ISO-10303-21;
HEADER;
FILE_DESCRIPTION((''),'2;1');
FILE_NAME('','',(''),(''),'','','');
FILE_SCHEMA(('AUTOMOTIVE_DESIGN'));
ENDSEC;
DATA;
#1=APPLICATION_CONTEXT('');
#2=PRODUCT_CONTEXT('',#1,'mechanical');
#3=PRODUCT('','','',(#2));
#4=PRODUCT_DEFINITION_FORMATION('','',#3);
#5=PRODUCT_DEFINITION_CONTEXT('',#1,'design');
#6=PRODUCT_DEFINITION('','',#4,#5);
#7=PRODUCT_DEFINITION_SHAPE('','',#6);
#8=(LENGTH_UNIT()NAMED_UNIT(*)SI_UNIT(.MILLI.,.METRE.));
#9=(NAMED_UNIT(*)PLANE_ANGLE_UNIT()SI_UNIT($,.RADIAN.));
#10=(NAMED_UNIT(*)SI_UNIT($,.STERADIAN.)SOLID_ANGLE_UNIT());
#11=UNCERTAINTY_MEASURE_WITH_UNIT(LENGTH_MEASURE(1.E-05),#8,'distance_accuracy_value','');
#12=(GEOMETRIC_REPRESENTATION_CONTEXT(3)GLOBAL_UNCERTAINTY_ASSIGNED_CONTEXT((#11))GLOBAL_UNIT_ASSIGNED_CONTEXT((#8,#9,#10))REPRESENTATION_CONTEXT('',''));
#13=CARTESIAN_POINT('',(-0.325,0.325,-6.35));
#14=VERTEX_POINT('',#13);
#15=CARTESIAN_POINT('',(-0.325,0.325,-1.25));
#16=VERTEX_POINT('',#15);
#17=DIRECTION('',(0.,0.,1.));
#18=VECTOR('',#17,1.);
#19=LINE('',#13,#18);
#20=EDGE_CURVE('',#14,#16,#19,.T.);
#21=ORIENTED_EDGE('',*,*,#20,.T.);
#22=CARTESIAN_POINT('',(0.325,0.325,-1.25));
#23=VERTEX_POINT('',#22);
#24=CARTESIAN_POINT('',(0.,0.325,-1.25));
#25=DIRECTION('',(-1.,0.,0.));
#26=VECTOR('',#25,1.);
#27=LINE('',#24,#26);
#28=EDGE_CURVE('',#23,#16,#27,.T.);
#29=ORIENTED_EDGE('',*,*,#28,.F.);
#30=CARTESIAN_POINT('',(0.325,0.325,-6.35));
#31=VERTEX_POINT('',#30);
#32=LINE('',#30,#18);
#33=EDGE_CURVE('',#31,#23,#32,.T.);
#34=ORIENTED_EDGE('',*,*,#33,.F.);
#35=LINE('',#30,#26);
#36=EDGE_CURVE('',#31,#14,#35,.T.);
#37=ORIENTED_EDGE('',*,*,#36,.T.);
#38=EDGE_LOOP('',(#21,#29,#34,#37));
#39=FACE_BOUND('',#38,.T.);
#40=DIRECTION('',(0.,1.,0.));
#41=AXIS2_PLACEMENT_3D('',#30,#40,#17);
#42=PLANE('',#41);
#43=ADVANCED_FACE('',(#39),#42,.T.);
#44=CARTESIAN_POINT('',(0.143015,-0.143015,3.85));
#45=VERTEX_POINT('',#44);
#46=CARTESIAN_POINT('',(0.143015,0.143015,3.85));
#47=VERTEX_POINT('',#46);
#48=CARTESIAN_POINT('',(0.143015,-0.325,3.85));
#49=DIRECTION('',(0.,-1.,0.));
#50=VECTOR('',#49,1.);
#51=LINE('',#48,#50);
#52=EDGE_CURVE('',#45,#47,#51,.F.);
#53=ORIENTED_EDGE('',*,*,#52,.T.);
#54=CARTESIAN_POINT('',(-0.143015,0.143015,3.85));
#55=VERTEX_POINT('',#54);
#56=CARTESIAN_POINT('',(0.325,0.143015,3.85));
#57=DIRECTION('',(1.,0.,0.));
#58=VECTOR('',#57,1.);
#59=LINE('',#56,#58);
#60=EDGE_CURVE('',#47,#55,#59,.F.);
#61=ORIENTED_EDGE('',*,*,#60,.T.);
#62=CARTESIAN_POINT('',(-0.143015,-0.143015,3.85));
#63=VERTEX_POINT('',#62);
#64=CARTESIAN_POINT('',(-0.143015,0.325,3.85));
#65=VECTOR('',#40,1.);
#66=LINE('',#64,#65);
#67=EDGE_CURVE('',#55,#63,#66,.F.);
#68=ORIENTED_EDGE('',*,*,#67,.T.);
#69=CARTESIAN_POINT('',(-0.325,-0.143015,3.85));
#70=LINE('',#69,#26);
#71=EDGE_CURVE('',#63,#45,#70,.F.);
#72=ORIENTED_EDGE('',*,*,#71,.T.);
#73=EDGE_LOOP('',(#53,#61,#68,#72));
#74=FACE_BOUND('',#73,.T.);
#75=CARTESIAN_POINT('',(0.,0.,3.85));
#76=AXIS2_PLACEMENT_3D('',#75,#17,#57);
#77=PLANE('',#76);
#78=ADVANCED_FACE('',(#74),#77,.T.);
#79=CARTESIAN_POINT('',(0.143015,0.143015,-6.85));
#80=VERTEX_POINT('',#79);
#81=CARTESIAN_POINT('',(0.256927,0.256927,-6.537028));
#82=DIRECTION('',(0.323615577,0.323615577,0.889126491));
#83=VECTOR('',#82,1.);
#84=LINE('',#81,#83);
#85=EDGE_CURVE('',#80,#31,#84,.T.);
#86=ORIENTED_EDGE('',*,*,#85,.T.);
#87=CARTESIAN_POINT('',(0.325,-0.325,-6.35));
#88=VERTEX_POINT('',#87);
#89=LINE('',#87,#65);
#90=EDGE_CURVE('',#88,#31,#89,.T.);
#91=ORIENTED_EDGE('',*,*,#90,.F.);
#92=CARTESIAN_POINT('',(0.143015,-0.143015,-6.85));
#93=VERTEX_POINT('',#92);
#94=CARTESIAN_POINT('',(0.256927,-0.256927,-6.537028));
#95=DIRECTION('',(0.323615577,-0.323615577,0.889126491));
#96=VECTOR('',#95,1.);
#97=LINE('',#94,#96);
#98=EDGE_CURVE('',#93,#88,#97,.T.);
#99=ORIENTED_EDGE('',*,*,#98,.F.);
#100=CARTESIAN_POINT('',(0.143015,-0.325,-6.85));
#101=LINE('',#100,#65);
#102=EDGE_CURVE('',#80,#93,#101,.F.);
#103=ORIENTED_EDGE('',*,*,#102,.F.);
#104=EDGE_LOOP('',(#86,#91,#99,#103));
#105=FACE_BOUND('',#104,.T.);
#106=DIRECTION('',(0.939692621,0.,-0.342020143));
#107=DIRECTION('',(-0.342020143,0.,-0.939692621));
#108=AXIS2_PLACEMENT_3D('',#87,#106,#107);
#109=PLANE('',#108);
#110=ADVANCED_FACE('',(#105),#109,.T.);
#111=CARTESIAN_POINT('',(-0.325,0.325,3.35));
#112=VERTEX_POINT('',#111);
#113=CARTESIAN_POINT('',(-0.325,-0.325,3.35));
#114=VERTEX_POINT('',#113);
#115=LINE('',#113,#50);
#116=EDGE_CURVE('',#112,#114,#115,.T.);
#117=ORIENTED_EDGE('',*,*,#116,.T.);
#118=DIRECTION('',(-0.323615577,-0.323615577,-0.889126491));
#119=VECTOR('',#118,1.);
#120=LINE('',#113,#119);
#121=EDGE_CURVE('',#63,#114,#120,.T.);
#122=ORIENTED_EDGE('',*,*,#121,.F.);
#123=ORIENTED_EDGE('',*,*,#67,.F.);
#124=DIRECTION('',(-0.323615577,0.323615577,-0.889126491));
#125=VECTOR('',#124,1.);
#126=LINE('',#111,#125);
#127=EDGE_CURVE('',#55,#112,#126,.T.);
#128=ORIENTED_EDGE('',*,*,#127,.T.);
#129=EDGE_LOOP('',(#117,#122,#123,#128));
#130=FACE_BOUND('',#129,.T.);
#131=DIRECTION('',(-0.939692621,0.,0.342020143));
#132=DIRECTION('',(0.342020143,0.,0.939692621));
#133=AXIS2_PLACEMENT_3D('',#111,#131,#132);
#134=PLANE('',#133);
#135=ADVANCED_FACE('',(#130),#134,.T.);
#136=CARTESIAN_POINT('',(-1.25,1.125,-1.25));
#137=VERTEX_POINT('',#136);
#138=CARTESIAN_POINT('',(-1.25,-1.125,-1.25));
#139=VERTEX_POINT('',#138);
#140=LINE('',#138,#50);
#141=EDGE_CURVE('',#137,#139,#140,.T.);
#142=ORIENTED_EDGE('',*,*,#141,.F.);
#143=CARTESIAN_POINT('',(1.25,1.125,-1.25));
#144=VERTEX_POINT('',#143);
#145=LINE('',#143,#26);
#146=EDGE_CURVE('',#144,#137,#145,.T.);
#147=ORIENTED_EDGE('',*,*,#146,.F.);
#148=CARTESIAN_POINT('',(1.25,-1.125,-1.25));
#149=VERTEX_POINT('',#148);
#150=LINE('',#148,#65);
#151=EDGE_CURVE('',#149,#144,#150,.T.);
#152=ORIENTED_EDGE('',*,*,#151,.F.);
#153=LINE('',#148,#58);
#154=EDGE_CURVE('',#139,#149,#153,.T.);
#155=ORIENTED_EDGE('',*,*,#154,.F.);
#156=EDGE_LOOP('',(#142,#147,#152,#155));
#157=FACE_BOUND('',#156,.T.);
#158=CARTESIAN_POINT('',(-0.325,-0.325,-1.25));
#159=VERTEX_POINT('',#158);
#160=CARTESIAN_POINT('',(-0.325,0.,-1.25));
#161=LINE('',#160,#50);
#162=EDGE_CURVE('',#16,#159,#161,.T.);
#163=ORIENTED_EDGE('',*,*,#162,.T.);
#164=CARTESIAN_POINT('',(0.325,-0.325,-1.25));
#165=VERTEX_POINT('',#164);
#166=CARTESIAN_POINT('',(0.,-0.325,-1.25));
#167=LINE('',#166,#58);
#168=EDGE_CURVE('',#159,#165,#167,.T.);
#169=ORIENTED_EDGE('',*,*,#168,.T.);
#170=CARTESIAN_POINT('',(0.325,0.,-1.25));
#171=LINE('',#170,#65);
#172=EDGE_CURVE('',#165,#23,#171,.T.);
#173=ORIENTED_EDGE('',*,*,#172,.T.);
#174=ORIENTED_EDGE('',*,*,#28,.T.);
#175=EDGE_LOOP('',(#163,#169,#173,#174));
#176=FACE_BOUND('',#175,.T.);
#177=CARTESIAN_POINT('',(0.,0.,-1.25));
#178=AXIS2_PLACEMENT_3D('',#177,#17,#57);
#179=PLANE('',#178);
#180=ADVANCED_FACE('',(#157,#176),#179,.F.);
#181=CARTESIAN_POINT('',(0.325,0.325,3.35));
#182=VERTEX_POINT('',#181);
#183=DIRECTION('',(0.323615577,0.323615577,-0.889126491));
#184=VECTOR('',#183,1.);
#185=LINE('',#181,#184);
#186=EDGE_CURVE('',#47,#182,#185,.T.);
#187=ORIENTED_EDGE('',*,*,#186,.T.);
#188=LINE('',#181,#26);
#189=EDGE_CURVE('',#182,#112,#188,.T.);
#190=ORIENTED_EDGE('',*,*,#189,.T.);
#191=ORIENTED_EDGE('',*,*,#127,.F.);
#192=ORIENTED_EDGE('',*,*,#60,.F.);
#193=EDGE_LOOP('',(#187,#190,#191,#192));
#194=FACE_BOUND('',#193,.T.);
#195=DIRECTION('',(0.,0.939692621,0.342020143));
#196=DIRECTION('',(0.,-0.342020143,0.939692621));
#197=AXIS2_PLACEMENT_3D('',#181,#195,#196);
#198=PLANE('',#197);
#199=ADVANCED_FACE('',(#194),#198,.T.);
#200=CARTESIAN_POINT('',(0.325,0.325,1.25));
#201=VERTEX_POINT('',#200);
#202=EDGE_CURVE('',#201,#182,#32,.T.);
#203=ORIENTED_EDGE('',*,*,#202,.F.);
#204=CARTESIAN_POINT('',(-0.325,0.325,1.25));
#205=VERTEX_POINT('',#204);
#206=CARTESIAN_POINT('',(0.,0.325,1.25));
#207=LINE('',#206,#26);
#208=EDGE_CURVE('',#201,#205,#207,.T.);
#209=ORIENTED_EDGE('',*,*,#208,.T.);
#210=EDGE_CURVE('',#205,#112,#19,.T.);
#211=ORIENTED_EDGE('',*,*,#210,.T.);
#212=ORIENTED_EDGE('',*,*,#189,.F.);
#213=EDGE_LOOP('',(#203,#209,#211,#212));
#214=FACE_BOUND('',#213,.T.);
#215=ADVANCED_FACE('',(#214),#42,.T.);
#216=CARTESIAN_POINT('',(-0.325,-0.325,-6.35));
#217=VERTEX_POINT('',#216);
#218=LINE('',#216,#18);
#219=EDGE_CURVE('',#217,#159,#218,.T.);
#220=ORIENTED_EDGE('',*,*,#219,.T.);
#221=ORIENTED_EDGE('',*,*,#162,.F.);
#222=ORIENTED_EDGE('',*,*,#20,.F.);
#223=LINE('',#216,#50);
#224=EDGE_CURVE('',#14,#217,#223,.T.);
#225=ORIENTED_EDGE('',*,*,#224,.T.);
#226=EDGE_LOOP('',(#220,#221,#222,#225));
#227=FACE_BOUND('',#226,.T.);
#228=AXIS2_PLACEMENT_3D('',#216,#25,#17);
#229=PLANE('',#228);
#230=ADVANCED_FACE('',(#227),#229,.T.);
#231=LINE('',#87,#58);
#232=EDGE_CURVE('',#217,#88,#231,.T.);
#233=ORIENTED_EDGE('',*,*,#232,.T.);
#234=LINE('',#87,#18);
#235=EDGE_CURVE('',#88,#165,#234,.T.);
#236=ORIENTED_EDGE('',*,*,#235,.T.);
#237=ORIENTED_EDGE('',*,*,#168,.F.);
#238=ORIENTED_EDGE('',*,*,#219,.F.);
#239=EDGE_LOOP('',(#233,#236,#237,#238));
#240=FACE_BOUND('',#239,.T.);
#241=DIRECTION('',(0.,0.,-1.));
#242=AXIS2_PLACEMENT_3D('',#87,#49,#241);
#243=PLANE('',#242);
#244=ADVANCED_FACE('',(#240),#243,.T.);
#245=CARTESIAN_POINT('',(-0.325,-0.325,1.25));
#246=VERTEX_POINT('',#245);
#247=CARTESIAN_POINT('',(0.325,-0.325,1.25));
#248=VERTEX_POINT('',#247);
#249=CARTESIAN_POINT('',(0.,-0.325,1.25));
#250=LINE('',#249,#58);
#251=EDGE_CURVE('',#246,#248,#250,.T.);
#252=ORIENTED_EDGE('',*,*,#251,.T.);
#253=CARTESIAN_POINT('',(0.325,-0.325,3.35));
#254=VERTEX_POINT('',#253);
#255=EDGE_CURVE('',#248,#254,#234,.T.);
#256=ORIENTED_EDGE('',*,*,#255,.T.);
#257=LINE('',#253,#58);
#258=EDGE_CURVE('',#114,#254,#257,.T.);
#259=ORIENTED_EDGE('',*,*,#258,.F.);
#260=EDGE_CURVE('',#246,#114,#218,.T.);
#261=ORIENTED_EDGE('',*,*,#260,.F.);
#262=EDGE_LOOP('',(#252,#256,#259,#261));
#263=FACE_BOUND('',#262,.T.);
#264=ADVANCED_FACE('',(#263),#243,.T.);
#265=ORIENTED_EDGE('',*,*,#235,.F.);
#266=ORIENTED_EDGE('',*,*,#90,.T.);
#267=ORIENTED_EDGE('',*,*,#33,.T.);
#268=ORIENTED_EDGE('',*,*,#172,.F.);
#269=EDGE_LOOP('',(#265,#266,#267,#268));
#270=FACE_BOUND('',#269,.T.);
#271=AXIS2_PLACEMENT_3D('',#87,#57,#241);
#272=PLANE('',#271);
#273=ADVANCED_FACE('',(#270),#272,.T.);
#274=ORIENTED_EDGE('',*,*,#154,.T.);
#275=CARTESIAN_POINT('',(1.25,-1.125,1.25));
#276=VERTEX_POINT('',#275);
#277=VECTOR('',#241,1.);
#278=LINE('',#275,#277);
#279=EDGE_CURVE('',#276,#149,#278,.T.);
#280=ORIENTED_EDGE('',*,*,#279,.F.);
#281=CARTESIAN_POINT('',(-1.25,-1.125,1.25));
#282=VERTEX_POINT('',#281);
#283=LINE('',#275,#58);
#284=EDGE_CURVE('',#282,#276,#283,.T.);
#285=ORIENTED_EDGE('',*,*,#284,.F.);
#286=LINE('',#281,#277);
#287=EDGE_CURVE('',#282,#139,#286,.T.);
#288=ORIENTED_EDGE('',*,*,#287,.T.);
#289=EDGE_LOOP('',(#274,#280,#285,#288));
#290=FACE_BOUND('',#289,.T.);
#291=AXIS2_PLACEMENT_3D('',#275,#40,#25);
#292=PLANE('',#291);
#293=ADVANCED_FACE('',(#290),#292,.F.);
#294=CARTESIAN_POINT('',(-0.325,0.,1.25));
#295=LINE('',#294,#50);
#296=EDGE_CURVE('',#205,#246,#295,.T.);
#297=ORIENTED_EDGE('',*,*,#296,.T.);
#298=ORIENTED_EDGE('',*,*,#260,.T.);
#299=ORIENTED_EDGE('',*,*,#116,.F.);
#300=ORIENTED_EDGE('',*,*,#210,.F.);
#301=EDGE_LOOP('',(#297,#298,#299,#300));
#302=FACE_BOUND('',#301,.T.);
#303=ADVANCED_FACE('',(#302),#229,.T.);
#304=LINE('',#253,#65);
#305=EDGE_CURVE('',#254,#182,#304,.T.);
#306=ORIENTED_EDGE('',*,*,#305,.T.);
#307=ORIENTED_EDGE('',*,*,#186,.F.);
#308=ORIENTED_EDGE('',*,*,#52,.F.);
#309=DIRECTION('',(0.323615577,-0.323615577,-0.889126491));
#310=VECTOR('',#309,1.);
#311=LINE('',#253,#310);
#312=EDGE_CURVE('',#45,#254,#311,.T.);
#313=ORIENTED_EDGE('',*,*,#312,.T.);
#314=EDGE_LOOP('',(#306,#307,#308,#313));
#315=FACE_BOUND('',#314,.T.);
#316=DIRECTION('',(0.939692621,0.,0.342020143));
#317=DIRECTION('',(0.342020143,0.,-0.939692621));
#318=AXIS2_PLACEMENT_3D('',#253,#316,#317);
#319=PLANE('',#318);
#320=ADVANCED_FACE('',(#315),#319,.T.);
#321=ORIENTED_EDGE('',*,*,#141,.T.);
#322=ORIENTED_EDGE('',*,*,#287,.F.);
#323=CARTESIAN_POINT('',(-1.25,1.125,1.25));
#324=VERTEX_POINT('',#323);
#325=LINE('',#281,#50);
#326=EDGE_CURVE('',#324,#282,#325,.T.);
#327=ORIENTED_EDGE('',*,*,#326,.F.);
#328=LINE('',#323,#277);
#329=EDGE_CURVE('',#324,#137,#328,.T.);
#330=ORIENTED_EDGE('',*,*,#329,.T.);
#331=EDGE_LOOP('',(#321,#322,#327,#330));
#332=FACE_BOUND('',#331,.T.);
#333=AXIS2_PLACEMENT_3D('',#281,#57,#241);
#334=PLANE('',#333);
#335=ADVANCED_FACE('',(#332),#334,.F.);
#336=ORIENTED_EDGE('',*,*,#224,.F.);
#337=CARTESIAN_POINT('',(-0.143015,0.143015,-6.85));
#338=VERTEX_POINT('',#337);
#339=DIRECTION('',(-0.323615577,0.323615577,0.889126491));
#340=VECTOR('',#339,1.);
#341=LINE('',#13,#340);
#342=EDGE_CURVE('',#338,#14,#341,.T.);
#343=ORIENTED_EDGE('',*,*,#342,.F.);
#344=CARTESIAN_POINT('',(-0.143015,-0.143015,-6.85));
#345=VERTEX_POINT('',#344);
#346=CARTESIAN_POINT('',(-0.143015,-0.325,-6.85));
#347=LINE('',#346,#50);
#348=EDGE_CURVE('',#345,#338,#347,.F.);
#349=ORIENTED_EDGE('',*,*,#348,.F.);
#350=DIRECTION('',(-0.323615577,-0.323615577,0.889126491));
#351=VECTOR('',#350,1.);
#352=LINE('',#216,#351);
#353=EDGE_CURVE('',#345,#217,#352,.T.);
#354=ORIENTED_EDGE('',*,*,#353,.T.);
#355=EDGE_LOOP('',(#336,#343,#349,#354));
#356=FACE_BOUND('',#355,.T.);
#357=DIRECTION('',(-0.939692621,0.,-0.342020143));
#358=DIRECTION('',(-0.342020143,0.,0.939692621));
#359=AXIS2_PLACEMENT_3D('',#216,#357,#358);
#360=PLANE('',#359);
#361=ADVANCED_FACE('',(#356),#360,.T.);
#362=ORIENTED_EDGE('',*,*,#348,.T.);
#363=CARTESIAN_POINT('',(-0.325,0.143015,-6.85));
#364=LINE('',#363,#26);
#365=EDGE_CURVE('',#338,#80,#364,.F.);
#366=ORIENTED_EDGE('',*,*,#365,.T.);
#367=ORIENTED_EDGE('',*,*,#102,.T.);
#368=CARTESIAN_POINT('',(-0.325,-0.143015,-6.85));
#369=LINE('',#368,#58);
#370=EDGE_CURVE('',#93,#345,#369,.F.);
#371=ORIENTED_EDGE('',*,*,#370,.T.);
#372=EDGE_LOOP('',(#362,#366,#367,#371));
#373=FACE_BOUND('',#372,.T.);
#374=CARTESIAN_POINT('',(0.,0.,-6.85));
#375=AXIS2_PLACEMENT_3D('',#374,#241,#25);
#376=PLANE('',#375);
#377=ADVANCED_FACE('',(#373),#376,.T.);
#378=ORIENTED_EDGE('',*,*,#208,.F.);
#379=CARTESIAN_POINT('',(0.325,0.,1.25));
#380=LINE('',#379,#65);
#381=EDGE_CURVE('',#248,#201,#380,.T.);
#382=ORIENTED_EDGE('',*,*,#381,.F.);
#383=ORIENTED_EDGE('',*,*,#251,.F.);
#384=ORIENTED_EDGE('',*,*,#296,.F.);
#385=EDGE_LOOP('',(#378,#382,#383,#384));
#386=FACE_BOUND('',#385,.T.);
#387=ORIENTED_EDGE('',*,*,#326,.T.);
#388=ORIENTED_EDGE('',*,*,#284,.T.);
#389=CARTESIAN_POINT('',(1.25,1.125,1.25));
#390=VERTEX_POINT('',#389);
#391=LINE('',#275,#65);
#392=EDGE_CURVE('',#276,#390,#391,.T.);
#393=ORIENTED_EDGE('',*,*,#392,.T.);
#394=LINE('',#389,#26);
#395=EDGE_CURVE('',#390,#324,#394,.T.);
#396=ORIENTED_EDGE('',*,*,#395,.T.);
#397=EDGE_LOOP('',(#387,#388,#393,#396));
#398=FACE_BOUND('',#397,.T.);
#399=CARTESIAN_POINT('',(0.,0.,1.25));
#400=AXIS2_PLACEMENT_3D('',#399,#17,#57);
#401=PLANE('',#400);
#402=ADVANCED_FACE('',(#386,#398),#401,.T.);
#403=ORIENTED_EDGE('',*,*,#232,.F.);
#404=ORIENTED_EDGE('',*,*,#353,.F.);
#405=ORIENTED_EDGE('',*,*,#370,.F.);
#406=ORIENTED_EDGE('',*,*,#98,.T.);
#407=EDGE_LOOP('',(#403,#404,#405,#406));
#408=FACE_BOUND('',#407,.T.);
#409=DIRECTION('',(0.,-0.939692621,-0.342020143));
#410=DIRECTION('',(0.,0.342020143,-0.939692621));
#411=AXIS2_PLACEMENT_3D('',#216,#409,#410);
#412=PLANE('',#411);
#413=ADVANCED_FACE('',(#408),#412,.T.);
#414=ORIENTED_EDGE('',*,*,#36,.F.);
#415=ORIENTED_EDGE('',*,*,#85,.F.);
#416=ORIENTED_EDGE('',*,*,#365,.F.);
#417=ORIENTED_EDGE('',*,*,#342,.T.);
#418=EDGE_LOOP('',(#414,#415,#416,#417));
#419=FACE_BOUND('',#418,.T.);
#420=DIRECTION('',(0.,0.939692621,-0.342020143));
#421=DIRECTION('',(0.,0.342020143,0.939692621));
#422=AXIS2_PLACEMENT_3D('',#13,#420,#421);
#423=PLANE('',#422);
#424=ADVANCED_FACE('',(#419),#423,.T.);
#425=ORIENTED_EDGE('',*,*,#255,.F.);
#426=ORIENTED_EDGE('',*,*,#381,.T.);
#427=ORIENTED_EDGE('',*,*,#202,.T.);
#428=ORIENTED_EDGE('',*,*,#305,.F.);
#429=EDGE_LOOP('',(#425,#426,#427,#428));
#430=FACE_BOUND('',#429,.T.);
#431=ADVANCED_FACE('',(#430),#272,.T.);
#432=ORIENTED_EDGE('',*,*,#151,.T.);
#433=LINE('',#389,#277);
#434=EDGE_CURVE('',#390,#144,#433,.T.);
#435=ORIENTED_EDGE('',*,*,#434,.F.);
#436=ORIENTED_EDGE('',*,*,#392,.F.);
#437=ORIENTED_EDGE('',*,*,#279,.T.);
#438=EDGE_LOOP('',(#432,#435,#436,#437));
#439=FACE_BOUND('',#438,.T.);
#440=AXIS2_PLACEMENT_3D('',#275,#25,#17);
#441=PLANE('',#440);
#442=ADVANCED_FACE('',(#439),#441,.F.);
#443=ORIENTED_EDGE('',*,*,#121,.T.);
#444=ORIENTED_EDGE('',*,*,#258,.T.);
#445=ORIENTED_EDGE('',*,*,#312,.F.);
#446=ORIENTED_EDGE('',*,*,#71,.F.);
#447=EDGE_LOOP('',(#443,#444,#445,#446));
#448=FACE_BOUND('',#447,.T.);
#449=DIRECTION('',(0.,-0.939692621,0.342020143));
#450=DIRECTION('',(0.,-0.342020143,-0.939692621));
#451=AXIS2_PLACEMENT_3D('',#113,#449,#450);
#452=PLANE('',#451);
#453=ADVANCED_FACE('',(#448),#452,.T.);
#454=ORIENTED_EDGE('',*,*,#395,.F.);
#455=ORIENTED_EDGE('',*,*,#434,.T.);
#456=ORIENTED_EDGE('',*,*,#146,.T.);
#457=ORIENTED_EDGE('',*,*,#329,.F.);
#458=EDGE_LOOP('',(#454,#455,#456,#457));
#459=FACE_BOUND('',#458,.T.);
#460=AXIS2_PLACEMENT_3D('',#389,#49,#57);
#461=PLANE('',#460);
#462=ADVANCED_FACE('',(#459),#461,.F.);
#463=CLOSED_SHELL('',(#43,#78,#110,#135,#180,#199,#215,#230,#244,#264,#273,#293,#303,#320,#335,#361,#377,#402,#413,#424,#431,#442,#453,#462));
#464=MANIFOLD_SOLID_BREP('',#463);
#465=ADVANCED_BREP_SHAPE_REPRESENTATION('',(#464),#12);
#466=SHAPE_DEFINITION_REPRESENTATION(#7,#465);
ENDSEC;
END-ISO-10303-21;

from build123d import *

# Parameters (mm, degrees)
SKETCH1_W                = 2.5
SKETCH1_H                = 2.25
BOSS_EXTRUDE1_DEPTH      = 1.25
BOSS_EXTRUDE2_DEPTH      = 3.35
BOSS_EXTRUDE2_DEPTH_BACK = 6.35
SKETCH2_W                = 0.65
SKETCH2_H                = 0.65
SKETCH3_W                = 0.65
SKETCH3_H                = 0.65
BOSS_EXTRUDE3_DEPTH      = 0.5
BOSS_EXTRUDE3_TAPER      = 20
SKETCH7_W                = 0.65
SKETCH7_H                = 0.65
BOSS_EXTRUDE6_DEPTH      = 0.5
BOSS_EXTRUDE6_TAPER      = 20


with BuildPart() as part:
    # Sketch1 → Boss-Extrude1 (new, symmetric)
    with BuildSketch(Plane.XY):
        Rectangle(SKETCH1_W, SKETCH1_H)
    extrude(amount=BOSS_EXTRUDE1_DEPTH, both=True)

    # Sketch2 → Boss-Extrude2 (add, two sides: drawn at the far end of the back side and taken through both)
    with BuildSketch(Plane.XY.offset(-BOSS_EXTRUDE2_DEPTH_BACK)):
        Rectangle(SKETCH2_W, SKETCH2_H)
    extrude(amount=BOSS_EXTRUDE2_DEPTH + BOSS_EXTRUDE2_DEPTH_BACK)

    # Sketch3 → Boss-Extrude3 (add)
    with BuildSketch(Plane(origin=(0, 0, -6.35), x_dir=(-1, 0, 0), z_dir=(0, 0, -1))):
        Rectangle(SKETCH3_W, SKETCH3_H)
    extrude(amount=BOSS_EXTRUDE3_DEPTH, taper=BOSS_EXTRUDE3_TAPER)

    # Sketch7 → Boss-Extrude6 (add)
    with BuildSketch(Plane.XY.offset(3.35)):
        Rectangle(SKETCH7_W, SKETCH7_H)
    extrude(amount=BOSS_EXTRUDE6_DEPTH, taper=BOSS_EXTRUDE6_TAPER)


solid = part.part
